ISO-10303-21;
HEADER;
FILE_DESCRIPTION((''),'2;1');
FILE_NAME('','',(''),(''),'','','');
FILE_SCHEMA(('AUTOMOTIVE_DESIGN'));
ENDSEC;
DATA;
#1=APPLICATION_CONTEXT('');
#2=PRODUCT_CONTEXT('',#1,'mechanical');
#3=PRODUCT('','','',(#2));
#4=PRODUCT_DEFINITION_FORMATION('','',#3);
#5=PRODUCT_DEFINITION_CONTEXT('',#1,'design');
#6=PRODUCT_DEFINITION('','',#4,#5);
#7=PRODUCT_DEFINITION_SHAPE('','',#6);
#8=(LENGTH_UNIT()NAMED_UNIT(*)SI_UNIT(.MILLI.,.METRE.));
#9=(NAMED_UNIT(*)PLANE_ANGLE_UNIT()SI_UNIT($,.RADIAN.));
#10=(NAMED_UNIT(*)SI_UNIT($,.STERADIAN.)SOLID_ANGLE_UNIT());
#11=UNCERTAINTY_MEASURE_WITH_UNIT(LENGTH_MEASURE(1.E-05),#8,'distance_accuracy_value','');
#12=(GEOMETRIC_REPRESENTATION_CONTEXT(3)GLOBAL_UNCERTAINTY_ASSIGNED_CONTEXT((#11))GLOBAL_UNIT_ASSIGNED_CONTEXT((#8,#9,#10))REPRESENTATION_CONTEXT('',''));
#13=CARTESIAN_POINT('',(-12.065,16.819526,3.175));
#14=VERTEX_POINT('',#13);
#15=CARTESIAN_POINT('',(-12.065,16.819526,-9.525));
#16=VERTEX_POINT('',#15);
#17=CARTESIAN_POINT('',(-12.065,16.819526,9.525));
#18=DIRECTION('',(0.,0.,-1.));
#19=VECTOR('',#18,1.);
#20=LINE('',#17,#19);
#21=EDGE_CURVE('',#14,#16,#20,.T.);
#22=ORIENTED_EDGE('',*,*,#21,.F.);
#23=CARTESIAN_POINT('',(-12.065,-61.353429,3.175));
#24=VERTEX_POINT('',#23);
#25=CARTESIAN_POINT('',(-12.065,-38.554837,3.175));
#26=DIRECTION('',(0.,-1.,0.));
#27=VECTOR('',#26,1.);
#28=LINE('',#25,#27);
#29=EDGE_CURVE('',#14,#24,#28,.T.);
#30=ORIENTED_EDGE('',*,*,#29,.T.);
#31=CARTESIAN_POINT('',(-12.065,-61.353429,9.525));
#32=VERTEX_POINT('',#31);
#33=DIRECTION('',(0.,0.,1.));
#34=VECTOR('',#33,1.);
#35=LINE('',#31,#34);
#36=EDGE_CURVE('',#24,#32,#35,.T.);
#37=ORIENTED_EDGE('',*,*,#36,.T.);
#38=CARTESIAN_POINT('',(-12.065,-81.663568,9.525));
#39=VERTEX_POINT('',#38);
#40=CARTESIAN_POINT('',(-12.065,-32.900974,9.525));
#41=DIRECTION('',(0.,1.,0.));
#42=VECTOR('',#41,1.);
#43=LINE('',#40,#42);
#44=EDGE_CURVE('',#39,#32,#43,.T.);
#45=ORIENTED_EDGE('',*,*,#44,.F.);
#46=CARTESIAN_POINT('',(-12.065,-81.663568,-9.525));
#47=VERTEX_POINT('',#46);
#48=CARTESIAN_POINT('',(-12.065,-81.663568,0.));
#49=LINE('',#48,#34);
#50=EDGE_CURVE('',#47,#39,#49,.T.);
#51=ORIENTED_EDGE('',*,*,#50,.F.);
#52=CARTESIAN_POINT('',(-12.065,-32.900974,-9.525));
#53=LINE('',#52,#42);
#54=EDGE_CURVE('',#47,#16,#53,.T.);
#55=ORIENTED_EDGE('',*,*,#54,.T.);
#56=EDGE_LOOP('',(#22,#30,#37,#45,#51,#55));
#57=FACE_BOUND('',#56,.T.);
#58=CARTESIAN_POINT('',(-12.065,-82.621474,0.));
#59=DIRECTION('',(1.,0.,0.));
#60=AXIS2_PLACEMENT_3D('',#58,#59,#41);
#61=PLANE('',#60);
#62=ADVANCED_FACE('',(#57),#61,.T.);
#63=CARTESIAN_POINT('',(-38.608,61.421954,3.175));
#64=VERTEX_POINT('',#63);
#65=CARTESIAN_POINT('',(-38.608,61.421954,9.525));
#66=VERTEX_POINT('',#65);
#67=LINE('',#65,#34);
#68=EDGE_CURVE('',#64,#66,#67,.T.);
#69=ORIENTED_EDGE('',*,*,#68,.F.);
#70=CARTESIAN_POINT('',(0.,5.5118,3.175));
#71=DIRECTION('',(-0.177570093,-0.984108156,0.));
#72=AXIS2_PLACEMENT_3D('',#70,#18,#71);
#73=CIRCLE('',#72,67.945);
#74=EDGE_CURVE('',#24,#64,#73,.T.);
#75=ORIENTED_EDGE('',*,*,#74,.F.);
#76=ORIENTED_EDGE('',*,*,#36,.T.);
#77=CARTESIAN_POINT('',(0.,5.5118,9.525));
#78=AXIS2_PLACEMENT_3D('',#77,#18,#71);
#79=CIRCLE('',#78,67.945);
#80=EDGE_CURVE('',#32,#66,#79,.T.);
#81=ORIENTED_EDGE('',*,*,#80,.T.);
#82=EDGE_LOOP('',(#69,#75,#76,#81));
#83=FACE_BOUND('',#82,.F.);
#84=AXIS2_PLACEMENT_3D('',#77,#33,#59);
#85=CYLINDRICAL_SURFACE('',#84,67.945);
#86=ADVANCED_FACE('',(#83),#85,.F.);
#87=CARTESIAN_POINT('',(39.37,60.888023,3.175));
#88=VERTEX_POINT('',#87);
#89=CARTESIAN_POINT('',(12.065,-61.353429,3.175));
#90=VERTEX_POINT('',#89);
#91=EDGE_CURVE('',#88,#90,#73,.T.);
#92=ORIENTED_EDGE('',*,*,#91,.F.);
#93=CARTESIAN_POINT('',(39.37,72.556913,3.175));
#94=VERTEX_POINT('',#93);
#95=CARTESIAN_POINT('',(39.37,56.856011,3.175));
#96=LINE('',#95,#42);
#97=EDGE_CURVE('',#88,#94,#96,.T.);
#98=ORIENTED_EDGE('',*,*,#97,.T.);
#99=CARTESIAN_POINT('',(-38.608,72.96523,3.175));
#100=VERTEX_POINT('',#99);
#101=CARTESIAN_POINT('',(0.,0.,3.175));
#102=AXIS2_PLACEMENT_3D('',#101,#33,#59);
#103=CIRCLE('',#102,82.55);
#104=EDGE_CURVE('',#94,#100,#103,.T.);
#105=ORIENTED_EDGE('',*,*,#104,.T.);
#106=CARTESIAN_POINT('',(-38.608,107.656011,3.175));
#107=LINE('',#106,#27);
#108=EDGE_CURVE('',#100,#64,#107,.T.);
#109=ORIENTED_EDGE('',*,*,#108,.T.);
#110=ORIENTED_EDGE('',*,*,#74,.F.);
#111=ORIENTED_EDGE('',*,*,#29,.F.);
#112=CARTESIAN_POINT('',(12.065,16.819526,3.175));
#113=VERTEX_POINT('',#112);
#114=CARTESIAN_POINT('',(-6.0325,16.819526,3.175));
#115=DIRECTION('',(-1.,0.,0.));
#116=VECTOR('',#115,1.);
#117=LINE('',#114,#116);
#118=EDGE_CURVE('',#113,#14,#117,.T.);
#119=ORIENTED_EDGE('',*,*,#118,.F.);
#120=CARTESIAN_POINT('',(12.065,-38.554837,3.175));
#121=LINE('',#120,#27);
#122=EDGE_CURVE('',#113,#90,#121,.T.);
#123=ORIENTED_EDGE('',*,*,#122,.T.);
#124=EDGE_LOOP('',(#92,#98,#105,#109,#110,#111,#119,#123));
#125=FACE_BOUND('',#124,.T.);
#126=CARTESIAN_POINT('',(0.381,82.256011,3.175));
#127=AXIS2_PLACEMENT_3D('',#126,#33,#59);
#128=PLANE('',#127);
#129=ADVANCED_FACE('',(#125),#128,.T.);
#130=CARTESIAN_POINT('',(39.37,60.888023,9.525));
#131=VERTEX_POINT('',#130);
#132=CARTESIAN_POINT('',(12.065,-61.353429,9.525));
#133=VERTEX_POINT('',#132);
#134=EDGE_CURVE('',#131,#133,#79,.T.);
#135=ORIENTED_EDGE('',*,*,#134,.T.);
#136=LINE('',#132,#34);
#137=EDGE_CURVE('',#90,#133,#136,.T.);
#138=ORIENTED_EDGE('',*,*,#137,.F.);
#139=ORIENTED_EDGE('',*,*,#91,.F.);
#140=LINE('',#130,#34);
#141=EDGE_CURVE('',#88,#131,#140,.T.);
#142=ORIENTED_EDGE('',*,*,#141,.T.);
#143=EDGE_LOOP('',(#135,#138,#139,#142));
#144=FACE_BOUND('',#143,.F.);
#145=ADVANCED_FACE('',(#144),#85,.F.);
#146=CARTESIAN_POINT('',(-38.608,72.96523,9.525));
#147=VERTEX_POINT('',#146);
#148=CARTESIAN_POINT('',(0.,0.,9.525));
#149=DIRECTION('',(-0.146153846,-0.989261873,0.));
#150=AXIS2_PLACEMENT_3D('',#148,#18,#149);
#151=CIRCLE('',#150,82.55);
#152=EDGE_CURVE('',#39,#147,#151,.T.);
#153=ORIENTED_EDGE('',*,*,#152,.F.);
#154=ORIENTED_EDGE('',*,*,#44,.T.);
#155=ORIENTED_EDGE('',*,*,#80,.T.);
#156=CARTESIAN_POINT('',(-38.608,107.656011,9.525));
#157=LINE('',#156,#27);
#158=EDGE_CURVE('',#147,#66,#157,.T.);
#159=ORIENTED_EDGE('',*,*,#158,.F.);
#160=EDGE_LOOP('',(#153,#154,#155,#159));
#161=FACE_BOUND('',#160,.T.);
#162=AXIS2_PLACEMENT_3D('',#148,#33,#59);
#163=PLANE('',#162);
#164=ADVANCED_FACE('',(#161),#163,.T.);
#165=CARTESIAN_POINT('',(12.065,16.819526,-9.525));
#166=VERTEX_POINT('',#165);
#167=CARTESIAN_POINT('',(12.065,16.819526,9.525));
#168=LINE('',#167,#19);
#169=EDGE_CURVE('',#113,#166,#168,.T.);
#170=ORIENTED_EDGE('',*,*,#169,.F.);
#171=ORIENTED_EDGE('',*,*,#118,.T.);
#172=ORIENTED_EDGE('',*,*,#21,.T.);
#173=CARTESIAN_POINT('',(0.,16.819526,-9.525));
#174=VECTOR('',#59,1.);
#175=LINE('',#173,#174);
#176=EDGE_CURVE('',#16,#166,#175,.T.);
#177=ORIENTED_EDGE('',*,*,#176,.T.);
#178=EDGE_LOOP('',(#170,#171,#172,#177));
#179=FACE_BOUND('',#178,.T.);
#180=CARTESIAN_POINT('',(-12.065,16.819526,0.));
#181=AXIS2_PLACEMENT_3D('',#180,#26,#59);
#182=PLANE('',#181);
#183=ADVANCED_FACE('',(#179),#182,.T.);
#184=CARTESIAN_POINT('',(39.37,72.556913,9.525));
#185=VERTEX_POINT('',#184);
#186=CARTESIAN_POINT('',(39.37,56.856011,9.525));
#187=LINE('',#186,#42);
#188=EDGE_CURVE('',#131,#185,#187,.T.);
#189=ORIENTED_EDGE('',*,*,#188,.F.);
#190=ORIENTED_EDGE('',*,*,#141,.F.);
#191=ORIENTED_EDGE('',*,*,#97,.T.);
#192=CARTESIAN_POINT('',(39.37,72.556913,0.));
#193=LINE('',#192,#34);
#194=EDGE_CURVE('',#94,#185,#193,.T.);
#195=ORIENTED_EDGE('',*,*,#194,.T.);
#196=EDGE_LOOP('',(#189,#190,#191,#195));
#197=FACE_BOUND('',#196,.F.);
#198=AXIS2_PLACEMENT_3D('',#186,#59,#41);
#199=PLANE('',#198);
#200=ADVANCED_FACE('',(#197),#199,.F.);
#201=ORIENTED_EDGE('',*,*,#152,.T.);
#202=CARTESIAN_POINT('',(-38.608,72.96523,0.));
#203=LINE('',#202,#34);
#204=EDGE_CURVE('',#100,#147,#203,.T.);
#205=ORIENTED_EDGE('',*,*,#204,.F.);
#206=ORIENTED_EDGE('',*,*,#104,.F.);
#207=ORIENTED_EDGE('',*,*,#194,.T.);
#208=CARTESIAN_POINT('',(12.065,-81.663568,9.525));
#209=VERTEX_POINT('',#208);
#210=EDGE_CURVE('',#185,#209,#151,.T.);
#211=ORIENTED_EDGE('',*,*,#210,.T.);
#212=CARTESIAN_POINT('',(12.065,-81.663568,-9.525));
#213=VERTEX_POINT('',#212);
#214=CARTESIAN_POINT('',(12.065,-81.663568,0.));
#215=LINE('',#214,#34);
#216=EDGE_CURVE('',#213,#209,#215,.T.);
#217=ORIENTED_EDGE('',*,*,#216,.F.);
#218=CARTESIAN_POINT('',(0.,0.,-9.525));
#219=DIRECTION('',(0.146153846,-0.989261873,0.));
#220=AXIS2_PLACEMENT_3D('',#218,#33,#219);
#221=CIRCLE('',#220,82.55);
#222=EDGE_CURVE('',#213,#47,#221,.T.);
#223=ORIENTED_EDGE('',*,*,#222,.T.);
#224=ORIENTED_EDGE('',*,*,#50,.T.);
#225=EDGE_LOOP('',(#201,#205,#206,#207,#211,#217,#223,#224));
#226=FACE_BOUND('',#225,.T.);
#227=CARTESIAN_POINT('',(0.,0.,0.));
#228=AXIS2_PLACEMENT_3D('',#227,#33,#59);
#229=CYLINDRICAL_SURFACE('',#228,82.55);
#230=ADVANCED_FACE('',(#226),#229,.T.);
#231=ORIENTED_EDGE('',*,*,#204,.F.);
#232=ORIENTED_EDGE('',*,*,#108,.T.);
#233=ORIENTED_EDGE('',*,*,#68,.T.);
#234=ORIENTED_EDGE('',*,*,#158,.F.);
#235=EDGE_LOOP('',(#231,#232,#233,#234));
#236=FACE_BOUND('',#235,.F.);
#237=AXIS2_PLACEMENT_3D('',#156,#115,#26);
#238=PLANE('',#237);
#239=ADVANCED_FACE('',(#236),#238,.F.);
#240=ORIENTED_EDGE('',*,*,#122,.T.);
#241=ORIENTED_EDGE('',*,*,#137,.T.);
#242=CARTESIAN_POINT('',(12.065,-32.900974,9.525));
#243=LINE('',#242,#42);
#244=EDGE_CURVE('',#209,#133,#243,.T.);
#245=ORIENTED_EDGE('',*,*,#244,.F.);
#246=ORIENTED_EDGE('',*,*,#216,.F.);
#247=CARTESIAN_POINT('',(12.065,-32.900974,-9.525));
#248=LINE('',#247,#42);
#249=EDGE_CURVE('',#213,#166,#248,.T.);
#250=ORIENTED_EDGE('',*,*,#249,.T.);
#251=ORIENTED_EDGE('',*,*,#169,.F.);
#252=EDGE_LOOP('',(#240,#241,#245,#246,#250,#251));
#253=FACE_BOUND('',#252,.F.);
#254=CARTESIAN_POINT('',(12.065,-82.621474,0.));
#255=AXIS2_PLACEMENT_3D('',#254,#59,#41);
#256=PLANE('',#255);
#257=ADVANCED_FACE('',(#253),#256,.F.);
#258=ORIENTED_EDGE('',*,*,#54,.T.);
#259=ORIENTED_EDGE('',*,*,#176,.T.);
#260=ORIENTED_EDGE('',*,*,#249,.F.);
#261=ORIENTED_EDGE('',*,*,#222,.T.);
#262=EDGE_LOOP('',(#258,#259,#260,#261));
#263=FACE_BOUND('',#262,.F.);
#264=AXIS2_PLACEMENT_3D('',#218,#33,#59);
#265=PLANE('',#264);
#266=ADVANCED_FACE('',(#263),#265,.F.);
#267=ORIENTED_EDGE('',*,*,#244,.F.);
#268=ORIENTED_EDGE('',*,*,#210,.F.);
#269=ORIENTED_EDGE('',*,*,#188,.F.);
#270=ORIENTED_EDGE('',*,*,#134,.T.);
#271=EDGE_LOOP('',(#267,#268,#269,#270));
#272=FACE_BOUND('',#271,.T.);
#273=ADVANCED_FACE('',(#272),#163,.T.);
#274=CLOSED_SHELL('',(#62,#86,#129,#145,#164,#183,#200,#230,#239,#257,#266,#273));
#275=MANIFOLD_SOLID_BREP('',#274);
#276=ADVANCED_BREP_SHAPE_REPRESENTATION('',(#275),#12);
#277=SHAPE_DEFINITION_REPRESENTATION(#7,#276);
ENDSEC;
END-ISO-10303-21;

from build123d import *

# Parameters (mm, degrees)
F0_R     = 82.55
F1_DEPTH = 9.525
F2_W     = 24.13
F2_H     = 99.441
F3_DEPTH = 9.525
F5_R     = 67.945
F6_DEPTH = 6.35
F8_DEPTH = 6.35


with BuildPart() as f1:
    # F0 (on Top) → F1 (new body, symmetric)
    with BuildSketch(Plane.XY):
        Circle(F0_R)
    extrude(amount=F1_DEPTH, both=True)

    # F2 (on Top) → F3 (cut, symmetric)
    with BuildSketch(Plane.XY):
        with Locations((0, -32.900974)):
            Rectangle(F2_W, F2_H)
    extrude(amount=F3_DEPTH, both=True, mode=Mode.SUBTRACT)

    # F5 (on face) → F6 (cut)
    with BuildSketch(Plane.XY.offset(9.525)):
        with Locations((0, 5.5118)):
            Circle(F5_R)
    extrude(amount=-F6_DEPTH, mode=Mode.SUBTRACT)

    # F7 (on offset) → F8 (cut)
    with BuildSketch(Plane(origin=(0, 4.112923, 9.525), x_dir=(1, 0, 0), z_dir=(0, 0, 1))):
        Polygon((39.37, 103.543088), (6.096, 103.543088), (-38.608, 103.543088), (-38.608, 52.743088), (39.37, 52.743088), align=None)
    extrude(amount=-F8_DEPTH, mode=Mode.SUBTRACT)


solid = f1.part
